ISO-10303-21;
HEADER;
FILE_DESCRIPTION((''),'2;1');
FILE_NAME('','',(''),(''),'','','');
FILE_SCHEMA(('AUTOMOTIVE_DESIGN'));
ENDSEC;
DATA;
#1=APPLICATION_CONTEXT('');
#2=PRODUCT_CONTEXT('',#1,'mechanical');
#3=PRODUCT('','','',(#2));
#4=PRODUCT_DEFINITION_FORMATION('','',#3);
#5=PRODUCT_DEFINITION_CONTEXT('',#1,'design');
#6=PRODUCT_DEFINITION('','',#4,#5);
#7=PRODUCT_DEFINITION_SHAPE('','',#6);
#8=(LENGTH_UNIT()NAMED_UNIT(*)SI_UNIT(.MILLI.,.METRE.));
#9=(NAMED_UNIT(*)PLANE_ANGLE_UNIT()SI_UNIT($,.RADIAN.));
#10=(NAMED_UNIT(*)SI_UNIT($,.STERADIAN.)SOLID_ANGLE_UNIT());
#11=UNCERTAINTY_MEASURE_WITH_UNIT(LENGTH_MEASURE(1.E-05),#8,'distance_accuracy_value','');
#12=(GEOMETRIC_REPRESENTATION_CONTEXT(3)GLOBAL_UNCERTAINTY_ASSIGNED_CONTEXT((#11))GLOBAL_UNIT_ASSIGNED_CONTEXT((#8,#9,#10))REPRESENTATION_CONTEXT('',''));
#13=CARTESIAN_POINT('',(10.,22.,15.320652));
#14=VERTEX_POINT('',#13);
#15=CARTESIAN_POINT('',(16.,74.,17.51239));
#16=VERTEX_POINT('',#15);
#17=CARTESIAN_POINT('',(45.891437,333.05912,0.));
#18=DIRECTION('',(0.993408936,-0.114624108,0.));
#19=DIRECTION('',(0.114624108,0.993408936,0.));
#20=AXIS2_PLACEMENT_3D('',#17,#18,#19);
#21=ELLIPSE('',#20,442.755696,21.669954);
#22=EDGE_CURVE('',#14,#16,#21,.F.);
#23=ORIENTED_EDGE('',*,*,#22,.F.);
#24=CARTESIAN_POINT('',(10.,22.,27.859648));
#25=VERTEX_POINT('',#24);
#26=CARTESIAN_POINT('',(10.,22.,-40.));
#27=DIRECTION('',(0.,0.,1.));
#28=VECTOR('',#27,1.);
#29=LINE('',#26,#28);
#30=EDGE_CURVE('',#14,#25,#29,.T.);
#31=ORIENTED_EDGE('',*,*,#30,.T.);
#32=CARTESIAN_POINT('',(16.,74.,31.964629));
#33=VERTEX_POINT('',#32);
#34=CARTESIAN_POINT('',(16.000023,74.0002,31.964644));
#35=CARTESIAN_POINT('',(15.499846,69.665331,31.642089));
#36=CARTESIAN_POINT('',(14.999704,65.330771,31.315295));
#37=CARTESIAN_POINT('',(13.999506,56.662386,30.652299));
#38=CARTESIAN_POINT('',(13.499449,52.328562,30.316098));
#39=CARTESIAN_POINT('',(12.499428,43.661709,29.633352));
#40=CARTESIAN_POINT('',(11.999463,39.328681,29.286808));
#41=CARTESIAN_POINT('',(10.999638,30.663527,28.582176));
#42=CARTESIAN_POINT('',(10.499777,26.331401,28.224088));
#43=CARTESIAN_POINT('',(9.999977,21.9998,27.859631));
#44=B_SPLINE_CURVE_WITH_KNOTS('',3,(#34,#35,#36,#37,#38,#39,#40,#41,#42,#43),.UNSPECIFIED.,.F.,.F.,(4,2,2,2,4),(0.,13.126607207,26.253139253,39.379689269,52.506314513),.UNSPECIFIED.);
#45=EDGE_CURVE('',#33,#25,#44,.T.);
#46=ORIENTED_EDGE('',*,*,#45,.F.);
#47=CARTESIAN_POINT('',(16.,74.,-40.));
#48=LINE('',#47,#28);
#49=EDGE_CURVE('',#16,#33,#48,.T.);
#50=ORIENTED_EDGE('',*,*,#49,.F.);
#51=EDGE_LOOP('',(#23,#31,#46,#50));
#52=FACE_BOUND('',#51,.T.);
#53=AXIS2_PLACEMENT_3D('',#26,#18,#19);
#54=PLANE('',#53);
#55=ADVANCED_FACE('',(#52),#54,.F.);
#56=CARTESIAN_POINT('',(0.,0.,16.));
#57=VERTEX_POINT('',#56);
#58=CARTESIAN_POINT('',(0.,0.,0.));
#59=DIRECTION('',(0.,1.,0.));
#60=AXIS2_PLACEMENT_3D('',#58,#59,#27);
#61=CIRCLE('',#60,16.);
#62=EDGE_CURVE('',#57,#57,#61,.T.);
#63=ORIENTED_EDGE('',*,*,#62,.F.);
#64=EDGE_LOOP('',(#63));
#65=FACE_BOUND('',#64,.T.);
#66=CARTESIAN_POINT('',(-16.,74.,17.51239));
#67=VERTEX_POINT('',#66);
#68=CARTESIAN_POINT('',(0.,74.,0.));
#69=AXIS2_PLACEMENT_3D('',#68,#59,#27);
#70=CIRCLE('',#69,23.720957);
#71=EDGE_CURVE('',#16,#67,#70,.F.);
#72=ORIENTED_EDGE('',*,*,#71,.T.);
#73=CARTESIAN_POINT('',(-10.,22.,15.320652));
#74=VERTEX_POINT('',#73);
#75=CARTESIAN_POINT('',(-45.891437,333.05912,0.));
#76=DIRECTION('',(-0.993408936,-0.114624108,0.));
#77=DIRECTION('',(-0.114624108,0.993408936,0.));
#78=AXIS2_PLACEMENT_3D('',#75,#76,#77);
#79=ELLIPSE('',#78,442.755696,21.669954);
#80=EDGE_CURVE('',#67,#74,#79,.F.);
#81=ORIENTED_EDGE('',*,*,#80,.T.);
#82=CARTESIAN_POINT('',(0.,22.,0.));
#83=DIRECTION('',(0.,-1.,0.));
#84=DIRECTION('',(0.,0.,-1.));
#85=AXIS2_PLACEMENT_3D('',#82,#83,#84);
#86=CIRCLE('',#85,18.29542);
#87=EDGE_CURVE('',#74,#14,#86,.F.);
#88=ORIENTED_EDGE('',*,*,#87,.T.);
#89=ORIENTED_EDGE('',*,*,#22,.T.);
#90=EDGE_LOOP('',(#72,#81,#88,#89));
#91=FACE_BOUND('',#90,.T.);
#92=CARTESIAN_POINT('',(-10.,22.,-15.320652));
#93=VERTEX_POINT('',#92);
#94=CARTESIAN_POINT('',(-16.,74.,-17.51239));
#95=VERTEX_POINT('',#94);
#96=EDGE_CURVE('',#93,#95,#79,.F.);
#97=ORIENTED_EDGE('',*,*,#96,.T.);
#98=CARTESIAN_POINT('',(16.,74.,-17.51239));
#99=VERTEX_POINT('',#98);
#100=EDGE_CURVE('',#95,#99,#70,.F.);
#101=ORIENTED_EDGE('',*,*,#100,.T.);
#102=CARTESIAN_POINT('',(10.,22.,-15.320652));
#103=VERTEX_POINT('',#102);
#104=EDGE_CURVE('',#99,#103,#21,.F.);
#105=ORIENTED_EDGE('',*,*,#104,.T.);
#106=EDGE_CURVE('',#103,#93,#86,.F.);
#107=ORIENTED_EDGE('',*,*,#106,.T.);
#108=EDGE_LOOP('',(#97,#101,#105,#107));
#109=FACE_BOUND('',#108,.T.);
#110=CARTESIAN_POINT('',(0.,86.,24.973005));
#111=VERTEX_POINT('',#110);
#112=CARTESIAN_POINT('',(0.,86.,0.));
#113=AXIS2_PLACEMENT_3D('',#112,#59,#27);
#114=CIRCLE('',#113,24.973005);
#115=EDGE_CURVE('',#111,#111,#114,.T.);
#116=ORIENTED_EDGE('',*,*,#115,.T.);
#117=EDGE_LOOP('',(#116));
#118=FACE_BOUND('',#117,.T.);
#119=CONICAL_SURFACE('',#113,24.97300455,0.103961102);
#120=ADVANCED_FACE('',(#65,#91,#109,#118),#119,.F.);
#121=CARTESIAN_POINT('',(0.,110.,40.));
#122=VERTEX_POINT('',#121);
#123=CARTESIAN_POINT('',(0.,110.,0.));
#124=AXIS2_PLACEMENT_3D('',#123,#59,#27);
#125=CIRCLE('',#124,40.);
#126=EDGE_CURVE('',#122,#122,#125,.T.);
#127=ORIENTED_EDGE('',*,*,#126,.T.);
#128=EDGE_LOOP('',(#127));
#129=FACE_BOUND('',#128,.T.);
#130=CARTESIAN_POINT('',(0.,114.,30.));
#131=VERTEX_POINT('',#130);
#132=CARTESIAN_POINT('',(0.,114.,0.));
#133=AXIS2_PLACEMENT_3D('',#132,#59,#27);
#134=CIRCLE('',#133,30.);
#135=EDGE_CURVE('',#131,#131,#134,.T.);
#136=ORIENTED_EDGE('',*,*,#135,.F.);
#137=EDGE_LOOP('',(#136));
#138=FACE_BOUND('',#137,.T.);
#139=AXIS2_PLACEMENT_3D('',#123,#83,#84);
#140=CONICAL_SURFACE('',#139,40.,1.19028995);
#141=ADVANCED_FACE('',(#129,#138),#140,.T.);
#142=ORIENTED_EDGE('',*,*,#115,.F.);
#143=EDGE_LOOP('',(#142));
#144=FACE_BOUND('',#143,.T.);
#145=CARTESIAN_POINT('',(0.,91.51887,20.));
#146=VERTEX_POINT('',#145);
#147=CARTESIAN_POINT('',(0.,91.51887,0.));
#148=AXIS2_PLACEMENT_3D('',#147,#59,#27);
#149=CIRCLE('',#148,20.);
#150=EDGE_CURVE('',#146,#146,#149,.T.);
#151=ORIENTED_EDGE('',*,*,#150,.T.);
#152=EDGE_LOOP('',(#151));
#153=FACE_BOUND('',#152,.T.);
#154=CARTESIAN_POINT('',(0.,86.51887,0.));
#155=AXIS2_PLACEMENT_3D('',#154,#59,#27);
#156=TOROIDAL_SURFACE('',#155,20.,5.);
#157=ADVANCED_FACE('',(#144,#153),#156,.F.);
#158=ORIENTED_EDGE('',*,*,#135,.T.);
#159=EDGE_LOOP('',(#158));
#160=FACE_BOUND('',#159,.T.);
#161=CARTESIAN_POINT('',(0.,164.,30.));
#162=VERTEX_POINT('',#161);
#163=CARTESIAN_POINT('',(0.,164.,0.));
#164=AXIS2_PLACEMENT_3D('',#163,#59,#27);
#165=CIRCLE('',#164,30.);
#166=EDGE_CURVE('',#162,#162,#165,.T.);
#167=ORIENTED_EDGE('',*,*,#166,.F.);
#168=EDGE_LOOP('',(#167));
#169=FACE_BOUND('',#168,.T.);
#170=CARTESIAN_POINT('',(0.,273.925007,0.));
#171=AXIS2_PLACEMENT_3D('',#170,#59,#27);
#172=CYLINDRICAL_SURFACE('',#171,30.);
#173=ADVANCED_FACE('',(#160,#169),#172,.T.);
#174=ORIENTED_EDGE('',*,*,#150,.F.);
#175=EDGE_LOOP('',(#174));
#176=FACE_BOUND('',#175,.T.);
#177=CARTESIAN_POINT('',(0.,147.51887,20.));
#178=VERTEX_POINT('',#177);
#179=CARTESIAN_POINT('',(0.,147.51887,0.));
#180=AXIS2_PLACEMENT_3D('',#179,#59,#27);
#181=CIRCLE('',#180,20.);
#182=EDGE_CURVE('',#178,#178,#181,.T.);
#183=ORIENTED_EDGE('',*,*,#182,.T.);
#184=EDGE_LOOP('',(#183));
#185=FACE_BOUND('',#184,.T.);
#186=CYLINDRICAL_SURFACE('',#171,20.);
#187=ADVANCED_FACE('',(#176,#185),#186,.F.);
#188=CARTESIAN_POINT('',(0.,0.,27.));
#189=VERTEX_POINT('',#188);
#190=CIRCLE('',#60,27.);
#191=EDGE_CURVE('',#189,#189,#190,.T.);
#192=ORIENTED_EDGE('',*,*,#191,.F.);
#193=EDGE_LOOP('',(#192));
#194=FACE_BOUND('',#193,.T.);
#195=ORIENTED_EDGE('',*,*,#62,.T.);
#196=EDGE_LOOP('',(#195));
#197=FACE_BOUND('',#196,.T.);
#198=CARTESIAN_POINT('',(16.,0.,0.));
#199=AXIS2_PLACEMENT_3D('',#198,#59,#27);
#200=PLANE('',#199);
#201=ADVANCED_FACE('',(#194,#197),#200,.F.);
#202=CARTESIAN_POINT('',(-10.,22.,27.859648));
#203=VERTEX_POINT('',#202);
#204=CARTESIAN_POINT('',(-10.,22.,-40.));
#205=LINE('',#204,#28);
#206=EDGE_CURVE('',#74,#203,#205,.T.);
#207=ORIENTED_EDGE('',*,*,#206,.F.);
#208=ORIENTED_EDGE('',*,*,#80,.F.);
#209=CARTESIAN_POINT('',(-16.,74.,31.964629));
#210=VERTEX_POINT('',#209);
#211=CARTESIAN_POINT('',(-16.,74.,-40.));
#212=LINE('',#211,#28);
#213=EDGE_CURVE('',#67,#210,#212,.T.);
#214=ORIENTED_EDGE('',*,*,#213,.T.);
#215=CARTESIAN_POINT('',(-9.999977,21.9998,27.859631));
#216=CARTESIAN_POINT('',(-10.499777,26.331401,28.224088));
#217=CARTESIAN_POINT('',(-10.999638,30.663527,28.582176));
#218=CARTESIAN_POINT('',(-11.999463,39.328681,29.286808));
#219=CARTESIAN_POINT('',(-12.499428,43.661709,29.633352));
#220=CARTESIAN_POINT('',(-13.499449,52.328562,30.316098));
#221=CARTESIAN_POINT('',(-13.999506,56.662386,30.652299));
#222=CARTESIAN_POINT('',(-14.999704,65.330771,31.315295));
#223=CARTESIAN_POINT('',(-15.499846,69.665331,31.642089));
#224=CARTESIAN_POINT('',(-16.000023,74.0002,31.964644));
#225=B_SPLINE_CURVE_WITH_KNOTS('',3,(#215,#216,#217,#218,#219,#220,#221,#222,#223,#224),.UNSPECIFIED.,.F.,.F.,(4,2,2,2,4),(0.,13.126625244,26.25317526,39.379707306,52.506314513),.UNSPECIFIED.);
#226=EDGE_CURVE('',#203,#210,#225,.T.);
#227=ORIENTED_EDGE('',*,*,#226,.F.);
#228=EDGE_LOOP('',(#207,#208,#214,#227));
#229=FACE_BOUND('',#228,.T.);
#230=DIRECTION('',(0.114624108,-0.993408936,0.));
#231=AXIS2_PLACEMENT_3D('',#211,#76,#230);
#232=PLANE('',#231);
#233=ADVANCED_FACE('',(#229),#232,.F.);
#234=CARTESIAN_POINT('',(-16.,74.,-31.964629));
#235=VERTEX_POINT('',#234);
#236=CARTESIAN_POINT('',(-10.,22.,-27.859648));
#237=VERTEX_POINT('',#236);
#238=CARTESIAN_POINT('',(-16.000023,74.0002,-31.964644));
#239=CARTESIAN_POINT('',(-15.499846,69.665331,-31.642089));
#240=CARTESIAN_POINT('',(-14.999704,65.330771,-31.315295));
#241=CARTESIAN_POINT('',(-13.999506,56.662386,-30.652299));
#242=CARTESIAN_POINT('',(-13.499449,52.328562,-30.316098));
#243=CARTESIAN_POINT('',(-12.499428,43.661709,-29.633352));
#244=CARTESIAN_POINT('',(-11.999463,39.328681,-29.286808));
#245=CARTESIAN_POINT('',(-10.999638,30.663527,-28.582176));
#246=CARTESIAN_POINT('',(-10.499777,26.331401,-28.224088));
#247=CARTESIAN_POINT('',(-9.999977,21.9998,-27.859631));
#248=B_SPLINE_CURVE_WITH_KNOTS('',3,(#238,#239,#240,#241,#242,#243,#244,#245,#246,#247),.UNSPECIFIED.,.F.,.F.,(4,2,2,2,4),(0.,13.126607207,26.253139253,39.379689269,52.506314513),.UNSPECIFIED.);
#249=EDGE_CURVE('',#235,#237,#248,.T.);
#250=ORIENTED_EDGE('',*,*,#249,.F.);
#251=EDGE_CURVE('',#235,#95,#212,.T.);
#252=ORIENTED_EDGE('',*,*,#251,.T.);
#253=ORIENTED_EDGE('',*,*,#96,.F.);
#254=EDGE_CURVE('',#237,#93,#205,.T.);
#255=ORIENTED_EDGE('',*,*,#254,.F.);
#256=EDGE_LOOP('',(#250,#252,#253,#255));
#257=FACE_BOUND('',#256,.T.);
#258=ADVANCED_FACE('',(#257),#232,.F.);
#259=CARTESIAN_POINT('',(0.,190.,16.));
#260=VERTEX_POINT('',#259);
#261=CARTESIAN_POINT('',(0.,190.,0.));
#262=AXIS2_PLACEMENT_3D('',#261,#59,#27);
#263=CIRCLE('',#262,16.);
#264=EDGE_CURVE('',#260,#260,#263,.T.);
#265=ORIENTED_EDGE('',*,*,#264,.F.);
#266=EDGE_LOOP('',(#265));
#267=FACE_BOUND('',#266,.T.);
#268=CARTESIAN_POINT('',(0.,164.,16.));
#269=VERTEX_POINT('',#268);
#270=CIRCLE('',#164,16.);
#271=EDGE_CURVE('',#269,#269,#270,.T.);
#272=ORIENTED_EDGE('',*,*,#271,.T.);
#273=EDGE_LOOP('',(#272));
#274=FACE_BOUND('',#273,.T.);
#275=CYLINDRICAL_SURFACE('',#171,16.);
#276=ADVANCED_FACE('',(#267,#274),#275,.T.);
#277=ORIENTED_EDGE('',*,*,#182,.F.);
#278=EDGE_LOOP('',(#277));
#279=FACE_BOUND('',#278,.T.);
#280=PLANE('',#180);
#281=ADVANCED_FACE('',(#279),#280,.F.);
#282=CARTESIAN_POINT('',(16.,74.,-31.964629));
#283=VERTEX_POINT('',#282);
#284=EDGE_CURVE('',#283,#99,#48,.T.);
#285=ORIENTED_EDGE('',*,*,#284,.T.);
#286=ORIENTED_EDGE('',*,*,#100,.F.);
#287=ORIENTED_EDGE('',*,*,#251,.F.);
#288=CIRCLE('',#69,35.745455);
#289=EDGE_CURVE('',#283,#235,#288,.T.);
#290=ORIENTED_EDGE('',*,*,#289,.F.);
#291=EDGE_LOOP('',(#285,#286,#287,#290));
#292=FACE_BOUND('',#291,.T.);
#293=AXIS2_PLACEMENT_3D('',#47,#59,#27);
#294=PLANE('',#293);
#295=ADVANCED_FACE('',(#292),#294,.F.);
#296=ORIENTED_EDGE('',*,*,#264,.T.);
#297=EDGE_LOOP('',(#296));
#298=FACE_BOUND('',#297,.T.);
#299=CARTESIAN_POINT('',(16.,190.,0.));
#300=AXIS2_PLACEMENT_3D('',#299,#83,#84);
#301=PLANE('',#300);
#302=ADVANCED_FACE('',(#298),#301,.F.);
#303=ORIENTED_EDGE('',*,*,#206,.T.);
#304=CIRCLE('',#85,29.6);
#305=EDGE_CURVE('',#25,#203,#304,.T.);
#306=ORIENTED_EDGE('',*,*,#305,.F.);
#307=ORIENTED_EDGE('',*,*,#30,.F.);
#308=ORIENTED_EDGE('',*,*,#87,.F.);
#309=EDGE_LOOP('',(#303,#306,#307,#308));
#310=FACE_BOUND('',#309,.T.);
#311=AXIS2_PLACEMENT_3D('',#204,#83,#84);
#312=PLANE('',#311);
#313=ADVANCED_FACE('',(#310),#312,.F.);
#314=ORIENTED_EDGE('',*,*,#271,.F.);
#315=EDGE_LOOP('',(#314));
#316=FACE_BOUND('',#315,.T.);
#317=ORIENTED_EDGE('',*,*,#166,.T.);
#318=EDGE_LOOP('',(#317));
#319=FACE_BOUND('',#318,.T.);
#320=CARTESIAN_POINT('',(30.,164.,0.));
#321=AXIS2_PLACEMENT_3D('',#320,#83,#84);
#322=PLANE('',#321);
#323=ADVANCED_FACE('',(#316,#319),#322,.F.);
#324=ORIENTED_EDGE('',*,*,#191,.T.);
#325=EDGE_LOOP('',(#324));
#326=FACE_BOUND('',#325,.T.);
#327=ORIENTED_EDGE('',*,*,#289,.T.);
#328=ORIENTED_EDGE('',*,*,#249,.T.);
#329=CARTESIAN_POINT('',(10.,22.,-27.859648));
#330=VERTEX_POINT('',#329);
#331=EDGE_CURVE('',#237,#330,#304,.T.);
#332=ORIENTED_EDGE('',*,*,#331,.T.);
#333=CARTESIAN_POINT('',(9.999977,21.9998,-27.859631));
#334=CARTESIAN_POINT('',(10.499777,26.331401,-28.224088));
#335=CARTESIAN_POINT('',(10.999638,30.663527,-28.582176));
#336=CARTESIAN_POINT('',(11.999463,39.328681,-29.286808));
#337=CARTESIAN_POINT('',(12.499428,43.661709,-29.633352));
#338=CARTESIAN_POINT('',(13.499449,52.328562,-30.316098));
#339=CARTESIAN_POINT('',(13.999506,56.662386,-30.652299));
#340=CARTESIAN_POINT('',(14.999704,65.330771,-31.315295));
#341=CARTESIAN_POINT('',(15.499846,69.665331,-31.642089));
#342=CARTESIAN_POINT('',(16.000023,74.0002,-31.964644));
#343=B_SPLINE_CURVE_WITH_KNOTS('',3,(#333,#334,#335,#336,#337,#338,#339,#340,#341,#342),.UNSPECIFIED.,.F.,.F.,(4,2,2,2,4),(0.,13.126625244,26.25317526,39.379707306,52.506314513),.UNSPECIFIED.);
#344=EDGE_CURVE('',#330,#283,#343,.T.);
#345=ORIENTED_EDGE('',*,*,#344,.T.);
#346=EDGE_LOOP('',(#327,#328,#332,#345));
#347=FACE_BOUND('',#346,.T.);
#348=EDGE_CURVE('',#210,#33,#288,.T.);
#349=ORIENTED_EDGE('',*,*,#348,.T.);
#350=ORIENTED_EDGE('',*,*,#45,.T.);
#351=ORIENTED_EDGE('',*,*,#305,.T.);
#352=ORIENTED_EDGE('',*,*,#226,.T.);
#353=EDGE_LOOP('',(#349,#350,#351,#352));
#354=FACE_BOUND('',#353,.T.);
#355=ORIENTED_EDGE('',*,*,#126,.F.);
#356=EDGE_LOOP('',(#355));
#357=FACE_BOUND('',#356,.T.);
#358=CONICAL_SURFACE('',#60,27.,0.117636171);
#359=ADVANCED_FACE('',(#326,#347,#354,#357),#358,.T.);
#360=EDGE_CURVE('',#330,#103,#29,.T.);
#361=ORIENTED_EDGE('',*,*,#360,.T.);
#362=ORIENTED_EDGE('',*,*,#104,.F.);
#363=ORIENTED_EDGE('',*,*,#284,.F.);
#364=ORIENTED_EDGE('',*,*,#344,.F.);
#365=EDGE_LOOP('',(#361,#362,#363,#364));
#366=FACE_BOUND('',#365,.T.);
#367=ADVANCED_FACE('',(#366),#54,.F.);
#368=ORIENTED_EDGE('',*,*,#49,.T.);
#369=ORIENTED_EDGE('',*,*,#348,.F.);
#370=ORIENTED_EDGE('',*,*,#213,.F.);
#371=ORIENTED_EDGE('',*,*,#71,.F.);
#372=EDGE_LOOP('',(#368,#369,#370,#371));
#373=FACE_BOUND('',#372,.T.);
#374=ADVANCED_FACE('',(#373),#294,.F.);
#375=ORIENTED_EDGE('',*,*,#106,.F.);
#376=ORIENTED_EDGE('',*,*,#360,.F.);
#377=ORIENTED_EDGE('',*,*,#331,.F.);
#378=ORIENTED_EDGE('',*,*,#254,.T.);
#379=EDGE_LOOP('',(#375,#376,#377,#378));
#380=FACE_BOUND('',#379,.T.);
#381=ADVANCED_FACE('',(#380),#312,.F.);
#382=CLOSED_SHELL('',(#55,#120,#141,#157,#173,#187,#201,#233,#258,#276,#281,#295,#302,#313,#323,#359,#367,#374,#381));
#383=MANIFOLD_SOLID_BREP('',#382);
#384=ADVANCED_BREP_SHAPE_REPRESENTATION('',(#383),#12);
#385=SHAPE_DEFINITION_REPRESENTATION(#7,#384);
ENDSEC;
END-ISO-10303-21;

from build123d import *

# Parameters (mm, degrees)
CUT_EXTRUDE1_DEPTH      = 199.242276016
CUT_EXTRUDE1_DEPTH_BACK = 199.242276016


with BuildPart() as part:
    # Sketch1 → Revolve1 (revolve)
    with BuildSketch(Plane.XY, mode=Mode.PRIVATE) as revolve1_sk:
        with BuildLine():
            Line((16, 0), (27, 0))
            Line((27, 0), (40, 110))
            Line((40, 110), (30, 114))
            Line((30, 114), (30, 164))
            Line((30, 164), (16, 164))
            Line((16, 164), (16, 190))
            Line((16, 190), (0, 190))
            Line((0, 190), (0, 147.51886968))
            Line((0, 147.51886968), (20, 147.51886968))
            Line((20, 147.51886968), (20, 91.51886968))
            ThreePointArc((20, 91.51886968), (23.714454765, 89.865931944), (24.97300455, 86))
            Line((24.97300455, 86), (16, 0))
        make_face()
    revolve(revolve1_sk.sketch.rotate(Axis((0, 273.925007331, 0), (0, -1, 0)), 90), axis=Axis((0, 273.925007331, 0), (0, -1, 0)))

    # Sketch2 → Cut-Extrude1 (cut, two sides: drawn at the far end of the back side and taken through both)
    with BuildSketch(Plane.XY.offset(-CUT_EXTRUDE1_DEPTH_BACK)):
        Polygon((-10, 22), (10, 22), (16, 74), (-16, 74), align=None)
    extrude(amount=CUT_EXTRUDE1_DEPTH + CUT_EXTRUDE1_DEPTH_BACK, mode=Mode.SUBTRACT)


solid = part.part
